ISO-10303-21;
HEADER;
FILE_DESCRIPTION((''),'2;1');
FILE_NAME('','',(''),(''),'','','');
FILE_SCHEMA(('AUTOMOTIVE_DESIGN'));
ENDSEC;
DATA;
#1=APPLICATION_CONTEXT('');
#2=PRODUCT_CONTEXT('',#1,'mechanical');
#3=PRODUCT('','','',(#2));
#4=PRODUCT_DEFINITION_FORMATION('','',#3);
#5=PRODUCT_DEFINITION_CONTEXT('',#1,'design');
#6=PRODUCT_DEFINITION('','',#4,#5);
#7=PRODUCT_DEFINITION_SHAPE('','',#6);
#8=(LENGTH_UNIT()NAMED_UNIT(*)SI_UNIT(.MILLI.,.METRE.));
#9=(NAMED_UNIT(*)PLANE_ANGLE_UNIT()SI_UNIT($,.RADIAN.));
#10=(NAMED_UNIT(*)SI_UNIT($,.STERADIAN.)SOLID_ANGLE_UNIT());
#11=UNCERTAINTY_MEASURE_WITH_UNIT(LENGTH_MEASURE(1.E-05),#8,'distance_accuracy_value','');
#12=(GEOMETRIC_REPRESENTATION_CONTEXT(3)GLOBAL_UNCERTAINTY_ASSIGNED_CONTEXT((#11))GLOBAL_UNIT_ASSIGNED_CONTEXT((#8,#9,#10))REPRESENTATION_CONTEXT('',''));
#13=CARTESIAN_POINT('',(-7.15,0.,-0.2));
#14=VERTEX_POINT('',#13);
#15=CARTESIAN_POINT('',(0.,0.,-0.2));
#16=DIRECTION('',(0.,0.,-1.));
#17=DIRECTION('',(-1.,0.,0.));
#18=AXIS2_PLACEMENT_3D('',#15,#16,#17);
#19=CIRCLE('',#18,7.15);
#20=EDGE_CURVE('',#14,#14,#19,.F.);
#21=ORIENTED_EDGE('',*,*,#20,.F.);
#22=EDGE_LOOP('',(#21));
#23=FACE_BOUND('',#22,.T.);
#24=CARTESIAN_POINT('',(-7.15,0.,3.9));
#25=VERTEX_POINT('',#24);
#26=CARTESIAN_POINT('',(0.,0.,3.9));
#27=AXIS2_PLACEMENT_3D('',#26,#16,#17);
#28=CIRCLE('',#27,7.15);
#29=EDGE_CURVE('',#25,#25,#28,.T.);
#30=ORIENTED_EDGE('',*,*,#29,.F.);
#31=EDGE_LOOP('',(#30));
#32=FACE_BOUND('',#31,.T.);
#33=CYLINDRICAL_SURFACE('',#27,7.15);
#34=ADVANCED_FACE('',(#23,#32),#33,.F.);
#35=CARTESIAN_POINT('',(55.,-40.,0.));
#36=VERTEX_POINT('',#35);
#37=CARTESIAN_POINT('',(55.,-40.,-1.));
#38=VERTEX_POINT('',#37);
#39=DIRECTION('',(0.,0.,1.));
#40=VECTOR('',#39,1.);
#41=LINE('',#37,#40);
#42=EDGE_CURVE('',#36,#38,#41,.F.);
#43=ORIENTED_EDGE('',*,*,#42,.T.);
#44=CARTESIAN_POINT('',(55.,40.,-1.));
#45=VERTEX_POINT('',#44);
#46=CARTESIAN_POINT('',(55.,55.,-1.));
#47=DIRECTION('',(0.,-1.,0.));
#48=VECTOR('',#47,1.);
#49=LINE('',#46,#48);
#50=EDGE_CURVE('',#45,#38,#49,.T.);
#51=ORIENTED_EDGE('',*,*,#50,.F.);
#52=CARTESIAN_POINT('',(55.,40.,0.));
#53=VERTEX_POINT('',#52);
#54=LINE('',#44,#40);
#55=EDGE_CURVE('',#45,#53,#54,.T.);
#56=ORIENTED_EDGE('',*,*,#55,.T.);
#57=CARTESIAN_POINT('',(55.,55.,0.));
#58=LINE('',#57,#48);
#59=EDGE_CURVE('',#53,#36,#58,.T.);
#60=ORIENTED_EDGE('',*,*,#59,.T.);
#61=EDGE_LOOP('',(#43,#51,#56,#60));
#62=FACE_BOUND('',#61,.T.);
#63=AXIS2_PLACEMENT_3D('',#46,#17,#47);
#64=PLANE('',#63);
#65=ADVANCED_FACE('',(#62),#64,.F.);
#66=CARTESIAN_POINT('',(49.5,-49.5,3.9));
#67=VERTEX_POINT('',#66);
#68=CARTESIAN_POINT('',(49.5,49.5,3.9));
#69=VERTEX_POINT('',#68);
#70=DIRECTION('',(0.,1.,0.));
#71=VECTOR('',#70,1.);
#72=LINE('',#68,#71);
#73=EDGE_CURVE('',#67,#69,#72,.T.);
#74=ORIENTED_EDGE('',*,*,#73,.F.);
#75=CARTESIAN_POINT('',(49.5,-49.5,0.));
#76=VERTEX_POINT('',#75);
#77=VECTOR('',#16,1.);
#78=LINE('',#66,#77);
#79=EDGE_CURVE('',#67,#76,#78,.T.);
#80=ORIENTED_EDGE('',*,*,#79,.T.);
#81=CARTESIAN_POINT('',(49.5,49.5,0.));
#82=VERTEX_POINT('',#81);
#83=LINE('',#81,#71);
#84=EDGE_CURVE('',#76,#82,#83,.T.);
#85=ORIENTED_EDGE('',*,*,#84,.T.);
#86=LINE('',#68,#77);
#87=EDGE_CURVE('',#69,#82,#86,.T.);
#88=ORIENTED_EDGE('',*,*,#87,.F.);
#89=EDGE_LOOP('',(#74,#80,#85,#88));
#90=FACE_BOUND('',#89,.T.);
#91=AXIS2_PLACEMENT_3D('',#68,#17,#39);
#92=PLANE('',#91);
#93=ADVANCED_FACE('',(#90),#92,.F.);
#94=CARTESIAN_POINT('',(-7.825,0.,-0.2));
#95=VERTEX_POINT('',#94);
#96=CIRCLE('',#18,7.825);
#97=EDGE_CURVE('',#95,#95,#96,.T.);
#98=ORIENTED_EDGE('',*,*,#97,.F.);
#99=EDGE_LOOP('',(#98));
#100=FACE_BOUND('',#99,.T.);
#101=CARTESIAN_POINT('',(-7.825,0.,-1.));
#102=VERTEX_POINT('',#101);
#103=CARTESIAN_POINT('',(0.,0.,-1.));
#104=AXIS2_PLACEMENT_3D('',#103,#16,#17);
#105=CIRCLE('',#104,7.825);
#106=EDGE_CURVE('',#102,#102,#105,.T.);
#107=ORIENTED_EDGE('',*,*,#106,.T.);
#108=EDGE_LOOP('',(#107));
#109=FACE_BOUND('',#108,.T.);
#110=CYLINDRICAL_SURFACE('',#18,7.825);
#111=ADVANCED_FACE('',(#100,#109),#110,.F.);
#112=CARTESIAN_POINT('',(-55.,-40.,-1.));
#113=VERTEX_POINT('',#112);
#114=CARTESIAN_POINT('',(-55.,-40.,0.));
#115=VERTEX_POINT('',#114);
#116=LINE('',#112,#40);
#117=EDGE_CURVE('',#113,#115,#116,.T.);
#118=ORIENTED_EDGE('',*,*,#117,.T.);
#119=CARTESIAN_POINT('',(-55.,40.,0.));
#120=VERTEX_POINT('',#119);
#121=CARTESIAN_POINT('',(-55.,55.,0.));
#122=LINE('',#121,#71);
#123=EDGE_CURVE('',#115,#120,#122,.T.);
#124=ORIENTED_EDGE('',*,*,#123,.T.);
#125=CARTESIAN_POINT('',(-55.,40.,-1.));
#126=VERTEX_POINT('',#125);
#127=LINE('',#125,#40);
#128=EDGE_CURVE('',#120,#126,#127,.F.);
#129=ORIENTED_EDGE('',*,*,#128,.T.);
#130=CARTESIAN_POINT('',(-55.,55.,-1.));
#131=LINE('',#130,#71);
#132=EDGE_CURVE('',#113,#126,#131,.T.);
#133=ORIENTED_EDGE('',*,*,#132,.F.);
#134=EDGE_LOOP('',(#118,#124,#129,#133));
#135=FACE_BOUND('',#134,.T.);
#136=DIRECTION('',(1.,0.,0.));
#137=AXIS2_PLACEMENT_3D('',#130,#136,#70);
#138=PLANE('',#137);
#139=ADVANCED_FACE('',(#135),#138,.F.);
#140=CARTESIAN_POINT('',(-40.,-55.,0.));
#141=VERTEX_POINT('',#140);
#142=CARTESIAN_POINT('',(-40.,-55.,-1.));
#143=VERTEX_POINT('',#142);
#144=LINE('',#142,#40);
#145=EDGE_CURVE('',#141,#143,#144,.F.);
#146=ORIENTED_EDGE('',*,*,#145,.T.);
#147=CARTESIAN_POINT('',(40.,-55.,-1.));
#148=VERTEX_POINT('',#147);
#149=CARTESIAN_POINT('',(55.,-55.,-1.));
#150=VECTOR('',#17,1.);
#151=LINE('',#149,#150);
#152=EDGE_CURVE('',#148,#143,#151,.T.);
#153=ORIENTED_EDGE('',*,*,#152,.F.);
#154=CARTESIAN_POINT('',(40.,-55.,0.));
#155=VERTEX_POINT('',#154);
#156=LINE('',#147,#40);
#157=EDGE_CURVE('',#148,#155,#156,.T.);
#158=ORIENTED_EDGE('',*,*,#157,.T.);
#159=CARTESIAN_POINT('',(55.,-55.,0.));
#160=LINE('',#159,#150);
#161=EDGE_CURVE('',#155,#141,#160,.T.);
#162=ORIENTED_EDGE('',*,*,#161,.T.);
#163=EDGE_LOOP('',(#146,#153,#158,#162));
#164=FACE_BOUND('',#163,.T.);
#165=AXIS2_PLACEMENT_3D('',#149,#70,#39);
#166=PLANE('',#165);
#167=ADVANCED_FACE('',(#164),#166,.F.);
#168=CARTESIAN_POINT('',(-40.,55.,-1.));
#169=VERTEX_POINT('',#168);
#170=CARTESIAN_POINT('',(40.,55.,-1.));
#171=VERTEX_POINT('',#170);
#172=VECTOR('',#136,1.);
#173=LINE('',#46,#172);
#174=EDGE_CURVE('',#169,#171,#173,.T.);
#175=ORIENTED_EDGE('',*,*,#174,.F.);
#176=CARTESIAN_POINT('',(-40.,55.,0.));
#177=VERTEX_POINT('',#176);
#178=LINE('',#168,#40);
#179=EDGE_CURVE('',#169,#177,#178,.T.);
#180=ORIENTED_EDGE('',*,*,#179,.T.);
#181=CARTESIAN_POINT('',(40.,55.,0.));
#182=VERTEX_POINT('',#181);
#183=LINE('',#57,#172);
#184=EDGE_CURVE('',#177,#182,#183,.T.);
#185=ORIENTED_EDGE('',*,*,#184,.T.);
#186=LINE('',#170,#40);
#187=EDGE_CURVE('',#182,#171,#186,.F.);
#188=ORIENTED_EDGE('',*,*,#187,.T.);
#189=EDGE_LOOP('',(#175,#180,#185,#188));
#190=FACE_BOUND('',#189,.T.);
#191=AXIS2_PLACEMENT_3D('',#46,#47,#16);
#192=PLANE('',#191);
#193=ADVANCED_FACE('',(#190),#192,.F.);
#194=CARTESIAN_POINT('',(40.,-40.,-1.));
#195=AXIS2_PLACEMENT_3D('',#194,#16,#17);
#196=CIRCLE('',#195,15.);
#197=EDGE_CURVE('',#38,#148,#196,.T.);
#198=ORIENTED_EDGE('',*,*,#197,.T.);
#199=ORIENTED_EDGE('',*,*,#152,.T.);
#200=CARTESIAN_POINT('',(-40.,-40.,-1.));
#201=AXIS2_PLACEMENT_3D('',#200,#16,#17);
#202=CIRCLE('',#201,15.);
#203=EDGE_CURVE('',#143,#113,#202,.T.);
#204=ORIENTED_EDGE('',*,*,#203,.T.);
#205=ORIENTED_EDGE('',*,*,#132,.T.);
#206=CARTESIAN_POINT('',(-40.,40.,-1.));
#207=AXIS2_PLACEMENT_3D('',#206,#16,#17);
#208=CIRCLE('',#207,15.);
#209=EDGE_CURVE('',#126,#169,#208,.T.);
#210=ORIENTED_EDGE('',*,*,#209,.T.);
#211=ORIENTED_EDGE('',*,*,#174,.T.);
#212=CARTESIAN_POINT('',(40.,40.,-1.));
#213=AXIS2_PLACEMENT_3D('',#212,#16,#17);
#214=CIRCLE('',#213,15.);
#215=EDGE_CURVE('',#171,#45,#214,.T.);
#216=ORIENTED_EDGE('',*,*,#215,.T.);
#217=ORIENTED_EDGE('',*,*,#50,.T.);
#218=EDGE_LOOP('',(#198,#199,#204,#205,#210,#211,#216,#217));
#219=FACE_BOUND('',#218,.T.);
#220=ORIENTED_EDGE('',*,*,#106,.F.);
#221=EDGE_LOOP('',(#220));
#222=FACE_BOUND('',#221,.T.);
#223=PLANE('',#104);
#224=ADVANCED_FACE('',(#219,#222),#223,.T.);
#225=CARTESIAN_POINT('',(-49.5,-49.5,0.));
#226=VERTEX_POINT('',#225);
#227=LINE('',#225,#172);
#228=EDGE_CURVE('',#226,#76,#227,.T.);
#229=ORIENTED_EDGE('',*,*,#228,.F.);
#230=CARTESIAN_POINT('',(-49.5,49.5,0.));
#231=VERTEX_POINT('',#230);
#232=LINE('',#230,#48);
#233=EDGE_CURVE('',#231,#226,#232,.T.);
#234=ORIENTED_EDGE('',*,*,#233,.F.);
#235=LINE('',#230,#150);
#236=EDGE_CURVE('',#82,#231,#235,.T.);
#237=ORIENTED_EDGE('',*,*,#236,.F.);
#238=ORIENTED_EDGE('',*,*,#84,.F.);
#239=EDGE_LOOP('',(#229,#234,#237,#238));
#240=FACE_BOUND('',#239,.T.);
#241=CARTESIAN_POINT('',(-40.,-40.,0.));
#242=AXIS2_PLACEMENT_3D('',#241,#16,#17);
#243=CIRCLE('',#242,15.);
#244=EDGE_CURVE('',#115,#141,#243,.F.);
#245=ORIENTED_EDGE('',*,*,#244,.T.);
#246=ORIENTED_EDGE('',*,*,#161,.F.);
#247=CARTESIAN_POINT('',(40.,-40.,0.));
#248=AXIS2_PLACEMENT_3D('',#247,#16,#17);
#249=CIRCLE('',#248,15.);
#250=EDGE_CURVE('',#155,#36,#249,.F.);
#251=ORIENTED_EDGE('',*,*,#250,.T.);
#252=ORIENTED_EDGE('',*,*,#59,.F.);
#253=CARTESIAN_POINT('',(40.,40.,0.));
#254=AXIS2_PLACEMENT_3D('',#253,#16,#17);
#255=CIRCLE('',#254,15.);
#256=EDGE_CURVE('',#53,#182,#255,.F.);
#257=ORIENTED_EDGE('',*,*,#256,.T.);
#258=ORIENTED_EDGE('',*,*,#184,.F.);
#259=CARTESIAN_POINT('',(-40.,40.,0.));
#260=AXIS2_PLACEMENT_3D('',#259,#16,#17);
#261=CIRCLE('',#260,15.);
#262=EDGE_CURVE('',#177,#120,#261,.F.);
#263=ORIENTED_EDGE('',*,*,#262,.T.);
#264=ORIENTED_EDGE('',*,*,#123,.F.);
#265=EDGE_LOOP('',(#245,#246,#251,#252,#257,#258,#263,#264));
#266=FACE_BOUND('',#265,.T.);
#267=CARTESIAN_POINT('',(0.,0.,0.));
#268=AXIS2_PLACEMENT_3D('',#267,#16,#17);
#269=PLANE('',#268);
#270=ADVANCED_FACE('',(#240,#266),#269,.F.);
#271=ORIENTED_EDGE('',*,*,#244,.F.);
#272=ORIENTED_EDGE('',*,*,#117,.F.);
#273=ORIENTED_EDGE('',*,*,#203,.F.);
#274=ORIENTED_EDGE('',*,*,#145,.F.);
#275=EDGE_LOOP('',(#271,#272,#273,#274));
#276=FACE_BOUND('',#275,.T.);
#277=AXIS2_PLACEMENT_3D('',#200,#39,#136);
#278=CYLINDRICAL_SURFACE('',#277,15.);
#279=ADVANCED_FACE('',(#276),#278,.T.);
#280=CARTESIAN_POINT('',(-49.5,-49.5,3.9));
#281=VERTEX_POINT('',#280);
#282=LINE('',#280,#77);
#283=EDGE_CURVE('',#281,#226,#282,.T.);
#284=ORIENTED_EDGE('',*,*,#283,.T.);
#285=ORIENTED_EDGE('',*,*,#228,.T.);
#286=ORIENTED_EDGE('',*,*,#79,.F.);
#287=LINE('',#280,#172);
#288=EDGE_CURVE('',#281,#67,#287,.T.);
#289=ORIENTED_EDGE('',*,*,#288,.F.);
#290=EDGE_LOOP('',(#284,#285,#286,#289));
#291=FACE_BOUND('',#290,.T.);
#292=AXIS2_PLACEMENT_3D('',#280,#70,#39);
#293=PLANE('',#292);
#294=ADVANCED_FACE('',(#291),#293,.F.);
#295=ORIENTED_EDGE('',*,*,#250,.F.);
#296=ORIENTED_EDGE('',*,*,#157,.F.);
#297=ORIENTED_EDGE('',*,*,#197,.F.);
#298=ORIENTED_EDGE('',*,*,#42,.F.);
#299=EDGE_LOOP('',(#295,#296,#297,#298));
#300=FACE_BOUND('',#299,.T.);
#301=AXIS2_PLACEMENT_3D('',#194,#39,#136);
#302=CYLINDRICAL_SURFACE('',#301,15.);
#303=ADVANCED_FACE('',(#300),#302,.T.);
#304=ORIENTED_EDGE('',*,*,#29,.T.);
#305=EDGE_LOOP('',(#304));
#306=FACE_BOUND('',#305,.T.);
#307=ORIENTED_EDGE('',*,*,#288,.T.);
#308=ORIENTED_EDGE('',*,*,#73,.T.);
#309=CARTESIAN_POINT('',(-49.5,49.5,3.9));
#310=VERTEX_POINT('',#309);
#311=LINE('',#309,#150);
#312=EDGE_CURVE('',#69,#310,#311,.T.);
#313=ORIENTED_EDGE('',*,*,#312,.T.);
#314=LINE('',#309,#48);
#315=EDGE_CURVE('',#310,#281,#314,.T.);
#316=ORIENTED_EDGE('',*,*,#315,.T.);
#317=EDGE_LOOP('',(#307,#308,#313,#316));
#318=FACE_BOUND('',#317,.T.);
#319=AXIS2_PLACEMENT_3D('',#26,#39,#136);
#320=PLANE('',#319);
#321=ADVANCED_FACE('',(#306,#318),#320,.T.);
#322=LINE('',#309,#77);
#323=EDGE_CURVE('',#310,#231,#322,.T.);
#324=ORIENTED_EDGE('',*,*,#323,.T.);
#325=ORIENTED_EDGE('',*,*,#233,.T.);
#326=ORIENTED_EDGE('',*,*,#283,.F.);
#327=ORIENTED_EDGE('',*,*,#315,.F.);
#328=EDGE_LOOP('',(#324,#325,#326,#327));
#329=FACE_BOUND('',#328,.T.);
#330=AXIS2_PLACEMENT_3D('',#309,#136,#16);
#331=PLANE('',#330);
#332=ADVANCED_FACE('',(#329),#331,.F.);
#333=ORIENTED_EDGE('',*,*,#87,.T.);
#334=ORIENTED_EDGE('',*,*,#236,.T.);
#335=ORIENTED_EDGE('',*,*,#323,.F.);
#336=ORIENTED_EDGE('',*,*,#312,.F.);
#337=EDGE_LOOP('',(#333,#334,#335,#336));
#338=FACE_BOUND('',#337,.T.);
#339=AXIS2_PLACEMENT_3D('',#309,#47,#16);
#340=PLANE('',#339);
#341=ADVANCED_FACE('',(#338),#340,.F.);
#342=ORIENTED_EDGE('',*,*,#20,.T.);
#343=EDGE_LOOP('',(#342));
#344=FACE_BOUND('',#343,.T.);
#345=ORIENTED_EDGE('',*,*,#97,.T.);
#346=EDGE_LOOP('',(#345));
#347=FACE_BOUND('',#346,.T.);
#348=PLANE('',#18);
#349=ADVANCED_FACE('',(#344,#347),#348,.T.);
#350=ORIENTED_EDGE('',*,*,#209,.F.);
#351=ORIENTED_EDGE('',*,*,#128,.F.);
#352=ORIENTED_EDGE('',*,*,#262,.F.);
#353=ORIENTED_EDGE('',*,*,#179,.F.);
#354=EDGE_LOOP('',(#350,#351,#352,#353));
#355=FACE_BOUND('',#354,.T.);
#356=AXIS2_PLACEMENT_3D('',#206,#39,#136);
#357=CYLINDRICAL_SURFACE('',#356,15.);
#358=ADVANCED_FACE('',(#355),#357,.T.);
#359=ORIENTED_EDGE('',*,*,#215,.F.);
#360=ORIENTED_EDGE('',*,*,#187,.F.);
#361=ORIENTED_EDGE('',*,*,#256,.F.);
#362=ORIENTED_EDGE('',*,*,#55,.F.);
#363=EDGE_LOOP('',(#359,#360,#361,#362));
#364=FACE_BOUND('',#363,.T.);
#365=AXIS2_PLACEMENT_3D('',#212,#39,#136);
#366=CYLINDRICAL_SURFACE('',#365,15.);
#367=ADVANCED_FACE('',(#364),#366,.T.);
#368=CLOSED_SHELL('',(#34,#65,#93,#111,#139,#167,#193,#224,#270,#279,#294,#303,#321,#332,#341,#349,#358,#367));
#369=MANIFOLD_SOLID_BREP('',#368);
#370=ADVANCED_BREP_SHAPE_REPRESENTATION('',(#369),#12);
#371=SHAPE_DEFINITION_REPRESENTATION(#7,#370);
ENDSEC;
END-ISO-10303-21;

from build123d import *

# Parameters (mm, degrees)
SKETCH_1_W          = 99
SKETCH_1_H          = 99
EXTRUDE_1_DEPTH     = 3.9
SKETCH_2_W          = 110
SKETCH_2_H          = 110
EXTRUDE_2_DEPTH     = 1
SKETCH_3_R          = 7.15
CUT_EXTRUDE_1_DEPTH = 78.935935229
SKETCH_5_R          = 7.825
CUT_EXTRUDE_2_DEPTH = 0.8
FILLET_1_R          = 15


with BuildPart() as part:
    # 草图1 → 凸台-拉伸1 (new body)
    with BuildSketch(Plane.XY):
        Rectangle(SKETCH_1_W, SKETCH_1_H)
    extrude(amount=EXTRUDE_1_DEPTH)

    # 草图2 → 凸台-拉伸2 (add)
    with BuildSketch(Plane(origin=(0, 0, 0), x_dir=(-1, 0, 0), z_dir=(0, 0, -1))):
        Rectangle(SKETCH_2_W, SKETCH_2_H)
    extrude(amount=EXTRUDE_2_DEPTH)

    # 草图3 → 切除-拉伸1 (cut, through all)
    with BuildSketch(Plane(origin=(0, 0, -1), x_dir=(-1, 0, 0), z_dir=(0, 0, -1))):
        Circle(SKETCH_3_R)
    extrude(amount=-CUT_EXTRUDE_1_DEPTH, mode=Mode.SUBTRACT)

    # 草图5 → 切除-拉伸2 (cut)
    with BuildSketch(Plane(origin=(0, 0, -1), x_dir=(-1, 0, 0), z_dir=(0, 0, -1))):
        Circle(SKETCH_5_R)
    extrude(amount=-CUT_EXTRUDE_2_DEPTH, mode=Mode.SUBTRACT)

    # 圆角1
    fillet_1_edges = [part.edges().sort_by_distance(p)[0] for p in [
        (-55, -55, -0.5),
        (-55, 55, -0.5),
        (55, 55, -0.5),
        (55, -55, -0.5),
    ]]
    fillet(fillet_1_edges, radius=FILLET_1_R)


solid = part.part
